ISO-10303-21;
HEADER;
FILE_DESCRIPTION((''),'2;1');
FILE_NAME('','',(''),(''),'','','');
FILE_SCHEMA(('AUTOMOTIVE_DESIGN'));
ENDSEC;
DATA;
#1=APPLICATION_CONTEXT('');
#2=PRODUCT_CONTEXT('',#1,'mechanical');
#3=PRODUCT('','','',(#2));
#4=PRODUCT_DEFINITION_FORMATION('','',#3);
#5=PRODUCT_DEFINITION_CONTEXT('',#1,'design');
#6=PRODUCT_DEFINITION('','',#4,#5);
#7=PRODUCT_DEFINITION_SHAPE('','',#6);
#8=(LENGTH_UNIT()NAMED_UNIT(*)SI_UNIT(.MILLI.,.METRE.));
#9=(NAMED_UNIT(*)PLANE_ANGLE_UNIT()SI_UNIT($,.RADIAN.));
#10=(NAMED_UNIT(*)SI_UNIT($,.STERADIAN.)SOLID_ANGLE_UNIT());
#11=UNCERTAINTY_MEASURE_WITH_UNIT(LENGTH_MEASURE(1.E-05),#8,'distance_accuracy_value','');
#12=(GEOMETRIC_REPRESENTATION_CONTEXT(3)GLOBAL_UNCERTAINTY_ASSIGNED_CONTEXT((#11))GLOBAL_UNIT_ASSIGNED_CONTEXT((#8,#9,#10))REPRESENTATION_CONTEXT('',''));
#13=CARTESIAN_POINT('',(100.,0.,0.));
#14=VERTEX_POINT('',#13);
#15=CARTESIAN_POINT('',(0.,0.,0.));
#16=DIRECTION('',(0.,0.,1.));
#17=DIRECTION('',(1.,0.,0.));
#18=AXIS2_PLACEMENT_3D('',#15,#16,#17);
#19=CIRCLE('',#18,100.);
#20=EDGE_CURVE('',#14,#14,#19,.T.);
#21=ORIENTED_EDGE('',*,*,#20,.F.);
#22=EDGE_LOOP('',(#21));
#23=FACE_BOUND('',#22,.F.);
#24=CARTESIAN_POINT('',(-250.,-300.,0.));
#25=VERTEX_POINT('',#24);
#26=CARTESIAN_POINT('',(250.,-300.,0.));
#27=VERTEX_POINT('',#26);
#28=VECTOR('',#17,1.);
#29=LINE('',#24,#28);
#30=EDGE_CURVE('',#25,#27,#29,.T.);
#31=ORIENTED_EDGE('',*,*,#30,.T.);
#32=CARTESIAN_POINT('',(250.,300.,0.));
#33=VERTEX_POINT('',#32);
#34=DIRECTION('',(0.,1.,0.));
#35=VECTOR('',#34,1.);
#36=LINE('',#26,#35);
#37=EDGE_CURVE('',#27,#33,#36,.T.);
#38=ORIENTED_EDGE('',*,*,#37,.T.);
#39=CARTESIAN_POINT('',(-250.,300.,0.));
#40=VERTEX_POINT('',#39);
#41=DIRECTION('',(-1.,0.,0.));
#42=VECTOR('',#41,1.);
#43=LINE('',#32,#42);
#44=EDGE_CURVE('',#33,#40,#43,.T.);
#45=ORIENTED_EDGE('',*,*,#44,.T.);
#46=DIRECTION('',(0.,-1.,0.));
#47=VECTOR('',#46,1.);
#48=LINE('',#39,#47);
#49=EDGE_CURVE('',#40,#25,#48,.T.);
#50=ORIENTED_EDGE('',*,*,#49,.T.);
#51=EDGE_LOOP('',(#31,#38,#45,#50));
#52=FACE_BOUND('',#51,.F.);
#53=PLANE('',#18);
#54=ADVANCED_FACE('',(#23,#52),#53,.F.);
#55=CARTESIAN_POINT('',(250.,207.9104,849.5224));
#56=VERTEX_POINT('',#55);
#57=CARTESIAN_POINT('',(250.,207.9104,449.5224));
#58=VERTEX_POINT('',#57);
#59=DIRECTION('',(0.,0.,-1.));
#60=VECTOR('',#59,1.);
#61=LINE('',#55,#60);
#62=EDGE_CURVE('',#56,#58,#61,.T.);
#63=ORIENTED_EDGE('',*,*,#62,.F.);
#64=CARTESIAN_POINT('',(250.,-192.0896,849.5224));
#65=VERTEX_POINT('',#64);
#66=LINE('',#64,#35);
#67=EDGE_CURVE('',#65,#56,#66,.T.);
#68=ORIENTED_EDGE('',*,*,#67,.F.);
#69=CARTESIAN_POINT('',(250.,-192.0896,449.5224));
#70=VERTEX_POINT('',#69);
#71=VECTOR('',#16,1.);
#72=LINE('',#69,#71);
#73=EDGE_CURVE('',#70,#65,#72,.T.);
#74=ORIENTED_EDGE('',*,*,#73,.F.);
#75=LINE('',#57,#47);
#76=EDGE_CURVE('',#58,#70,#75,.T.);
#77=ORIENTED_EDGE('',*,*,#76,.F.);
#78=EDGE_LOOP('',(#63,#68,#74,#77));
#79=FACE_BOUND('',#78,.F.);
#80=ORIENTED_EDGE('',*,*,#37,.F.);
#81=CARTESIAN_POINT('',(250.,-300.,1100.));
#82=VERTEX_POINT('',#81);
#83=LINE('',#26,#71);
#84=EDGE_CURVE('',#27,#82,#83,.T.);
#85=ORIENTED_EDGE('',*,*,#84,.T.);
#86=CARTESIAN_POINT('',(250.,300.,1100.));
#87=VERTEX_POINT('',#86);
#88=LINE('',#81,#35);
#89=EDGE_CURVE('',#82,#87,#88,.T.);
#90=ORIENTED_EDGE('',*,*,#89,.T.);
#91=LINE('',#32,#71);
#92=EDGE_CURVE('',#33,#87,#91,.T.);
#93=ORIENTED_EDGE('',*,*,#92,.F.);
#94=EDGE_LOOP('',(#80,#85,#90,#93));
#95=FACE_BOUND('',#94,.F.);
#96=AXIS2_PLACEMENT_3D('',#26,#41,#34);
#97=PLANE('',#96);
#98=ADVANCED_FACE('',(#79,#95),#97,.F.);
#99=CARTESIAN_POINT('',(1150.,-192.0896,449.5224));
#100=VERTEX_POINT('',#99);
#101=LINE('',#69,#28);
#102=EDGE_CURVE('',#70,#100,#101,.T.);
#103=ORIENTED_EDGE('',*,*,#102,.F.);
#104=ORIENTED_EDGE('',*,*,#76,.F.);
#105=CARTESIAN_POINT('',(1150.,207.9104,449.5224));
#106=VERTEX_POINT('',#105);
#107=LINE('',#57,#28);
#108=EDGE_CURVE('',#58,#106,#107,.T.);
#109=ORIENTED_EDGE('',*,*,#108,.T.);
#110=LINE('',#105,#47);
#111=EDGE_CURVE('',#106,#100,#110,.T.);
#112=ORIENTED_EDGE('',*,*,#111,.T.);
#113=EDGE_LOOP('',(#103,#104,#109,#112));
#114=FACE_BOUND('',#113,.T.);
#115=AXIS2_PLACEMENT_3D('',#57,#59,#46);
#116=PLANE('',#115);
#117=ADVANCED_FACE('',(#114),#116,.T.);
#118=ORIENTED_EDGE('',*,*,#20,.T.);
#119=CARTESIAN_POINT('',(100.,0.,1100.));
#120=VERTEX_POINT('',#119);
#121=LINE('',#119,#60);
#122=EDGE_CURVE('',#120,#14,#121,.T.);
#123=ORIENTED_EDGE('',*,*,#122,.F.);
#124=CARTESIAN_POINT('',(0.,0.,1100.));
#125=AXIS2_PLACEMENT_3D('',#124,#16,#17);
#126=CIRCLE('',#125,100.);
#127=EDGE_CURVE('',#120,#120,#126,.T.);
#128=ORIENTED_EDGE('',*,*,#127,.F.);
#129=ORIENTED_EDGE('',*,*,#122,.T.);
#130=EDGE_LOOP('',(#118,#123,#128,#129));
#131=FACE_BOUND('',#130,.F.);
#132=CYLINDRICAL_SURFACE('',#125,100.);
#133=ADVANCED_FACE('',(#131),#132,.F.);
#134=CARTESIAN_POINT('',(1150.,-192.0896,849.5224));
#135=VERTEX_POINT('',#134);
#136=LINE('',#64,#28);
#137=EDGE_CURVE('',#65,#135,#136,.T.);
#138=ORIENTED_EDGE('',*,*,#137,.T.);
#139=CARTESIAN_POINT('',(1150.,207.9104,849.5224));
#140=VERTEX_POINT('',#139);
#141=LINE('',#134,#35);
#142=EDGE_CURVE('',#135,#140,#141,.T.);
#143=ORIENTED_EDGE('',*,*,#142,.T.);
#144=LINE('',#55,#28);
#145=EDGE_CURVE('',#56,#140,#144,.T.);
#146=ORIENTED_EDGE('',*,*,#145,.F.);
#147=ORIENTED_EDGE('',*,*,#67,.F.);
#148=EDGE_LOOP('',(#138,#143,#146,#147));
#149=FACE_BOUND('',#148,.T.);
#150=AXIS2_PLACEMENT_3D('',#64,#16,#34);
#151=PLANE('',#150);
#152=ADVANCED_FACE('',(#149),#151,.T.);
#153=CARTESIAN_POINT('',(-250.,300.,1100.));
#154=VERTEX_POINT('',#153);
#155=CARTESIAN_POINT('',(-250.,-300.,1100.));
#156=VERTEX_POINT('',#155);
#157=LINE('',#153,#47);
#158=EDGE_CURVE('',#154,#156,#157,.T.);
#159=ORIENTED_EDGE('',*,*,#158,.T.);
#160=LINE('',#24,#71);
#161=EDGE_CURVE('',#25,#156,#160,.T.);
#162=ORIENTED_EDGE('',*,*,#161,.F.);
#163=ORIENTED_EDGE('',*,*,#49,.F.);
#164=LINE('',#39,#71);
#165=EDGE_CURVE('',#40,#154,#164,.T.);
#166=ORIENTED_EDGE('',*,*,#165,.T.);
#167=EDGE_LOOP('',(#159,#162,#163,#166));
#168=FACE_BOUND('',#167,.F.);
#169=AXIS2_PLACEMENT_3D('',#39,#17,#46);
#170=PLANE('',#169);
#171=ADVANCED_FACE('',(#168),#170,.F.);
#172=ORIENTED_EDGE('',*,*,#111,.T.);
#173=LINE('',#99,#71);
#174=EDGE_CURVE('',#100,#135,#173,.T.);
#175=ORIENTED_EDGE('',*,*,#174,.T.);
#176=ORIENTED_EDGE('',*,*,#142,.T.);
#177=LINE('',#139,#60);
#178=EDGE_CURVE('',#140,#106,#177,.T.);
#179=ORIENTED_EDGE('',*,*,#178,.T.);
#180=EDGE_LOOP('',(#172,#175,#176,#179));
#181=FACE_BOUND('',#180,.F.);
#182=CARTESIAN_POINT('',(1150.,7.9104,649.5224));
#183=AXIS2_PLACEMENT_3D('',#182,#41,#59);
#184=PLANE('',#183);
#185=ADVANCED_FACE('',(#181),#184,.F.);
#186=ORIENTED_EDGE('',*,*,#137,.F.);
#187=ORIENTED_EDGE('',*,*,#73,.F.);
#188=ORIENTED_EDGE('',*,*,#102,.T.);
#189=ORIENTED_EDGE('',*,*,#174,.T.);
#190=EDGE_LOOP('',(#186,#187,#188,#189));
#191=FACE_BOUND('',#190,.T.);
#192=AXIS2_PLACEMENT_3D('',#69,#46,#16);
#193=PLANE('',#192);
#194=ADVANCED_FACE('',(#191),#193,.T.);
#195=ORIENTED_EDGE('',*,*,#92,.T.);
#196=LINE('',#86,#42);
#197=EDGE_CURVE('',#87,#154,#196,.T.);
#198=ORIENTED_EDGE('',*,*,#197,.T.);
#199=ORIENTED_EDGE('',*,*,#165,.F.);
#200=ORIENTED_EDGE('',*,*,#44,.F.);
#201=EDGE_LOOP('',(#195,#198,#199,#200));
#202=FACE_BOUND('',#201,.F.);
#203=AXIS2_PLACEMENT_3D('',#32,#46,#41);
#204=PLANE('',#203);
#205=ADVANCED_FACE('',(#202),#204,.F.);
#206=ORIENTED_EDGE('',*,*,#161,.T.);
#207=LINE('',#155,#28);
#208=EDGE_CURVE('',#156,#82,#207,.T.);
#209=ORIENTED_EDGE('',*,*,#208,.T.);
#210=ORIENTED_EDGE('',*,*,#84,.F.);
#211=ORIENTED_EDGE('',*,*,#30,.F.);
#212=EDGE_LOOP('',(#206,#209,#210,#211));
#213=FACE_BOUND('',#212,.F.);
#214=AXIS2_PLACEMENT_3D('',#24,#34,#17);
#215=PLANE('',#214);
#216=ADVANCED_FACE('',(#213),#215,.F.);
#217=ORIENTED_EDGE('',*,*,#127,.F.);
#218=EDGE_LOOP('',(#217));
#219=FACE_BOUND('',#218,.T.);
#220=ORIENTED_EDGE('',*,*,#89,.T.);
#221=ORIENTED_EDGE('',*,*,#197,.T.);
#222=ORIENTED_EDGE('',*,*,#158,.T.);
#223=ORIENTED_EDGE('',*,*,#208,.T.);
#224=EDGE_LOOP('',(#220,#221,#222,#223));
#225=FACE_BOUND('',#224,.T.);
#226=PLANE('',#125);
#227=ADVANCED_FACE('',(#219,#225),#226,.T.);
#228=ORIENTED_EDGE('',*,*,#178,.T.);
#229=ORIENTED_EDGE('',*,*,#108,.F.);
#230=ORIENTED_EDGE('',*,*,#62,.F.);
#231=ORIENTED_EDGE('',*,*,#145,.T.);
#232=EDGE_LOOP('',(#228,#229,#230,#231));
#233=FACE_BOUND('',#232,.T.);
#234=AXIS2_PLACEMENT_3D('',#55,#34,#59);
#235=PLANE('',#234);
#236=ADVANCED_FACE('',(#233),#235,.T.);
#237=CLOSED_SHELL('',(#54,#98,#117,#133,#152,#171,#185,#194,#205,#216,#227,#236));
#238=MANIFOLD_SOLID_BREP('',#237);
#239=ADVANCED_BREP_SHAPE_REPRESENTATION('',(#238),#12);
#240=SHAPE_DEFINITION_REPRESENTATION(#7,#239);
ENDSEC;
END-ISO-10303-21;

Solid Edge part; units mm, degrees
sketch "Sketch1" plane through (0, 0, 0) normal (0, 0, 1) x (1, 0, 0)
  line L0 (-250, -300) -> (250, -300)
  line L1 (250, -300) -> (250, 300)
  line L2 (250, 300) -> (-250, 300)
  line L3 (-250, 300) -> (-250, -300)
  dimension "D1" = 600
  dimension "D2" = 500
extrude "Protrusion1" add sketch "Sketch1" along normal blind 1100
sketch "Sketch2" plane through (0, 0, 1100) normal (0, 0, 1) x (1, 0, 0)
  circle A0 centre (0, 0) radius 100
  dimension "D1" = 200
extrude "Cutout1" cut sketch "Sketch2" against normal up to next
sketch "Sketch3" plane through (250, 0, 550) normal (1, 0, 0) x (0, 1, 0)
  line L0 (-192.0896, 299.5224) -> (207.9104, 299.5224)
  line L1 (207.9104, 299.5224) -> (207.9104, -100.4776)
  line L2 (207.9104, -100.4776) -> (-192.0896, -100.4776)
  line L3 (-192.0896, -100.4776) -> (-192.0896, 299.5224)
  dimension "D1" = 400
  dimension "D2" = 400
extrude "Protrusion2" add sketch "Sketch3" along normal blind 900
